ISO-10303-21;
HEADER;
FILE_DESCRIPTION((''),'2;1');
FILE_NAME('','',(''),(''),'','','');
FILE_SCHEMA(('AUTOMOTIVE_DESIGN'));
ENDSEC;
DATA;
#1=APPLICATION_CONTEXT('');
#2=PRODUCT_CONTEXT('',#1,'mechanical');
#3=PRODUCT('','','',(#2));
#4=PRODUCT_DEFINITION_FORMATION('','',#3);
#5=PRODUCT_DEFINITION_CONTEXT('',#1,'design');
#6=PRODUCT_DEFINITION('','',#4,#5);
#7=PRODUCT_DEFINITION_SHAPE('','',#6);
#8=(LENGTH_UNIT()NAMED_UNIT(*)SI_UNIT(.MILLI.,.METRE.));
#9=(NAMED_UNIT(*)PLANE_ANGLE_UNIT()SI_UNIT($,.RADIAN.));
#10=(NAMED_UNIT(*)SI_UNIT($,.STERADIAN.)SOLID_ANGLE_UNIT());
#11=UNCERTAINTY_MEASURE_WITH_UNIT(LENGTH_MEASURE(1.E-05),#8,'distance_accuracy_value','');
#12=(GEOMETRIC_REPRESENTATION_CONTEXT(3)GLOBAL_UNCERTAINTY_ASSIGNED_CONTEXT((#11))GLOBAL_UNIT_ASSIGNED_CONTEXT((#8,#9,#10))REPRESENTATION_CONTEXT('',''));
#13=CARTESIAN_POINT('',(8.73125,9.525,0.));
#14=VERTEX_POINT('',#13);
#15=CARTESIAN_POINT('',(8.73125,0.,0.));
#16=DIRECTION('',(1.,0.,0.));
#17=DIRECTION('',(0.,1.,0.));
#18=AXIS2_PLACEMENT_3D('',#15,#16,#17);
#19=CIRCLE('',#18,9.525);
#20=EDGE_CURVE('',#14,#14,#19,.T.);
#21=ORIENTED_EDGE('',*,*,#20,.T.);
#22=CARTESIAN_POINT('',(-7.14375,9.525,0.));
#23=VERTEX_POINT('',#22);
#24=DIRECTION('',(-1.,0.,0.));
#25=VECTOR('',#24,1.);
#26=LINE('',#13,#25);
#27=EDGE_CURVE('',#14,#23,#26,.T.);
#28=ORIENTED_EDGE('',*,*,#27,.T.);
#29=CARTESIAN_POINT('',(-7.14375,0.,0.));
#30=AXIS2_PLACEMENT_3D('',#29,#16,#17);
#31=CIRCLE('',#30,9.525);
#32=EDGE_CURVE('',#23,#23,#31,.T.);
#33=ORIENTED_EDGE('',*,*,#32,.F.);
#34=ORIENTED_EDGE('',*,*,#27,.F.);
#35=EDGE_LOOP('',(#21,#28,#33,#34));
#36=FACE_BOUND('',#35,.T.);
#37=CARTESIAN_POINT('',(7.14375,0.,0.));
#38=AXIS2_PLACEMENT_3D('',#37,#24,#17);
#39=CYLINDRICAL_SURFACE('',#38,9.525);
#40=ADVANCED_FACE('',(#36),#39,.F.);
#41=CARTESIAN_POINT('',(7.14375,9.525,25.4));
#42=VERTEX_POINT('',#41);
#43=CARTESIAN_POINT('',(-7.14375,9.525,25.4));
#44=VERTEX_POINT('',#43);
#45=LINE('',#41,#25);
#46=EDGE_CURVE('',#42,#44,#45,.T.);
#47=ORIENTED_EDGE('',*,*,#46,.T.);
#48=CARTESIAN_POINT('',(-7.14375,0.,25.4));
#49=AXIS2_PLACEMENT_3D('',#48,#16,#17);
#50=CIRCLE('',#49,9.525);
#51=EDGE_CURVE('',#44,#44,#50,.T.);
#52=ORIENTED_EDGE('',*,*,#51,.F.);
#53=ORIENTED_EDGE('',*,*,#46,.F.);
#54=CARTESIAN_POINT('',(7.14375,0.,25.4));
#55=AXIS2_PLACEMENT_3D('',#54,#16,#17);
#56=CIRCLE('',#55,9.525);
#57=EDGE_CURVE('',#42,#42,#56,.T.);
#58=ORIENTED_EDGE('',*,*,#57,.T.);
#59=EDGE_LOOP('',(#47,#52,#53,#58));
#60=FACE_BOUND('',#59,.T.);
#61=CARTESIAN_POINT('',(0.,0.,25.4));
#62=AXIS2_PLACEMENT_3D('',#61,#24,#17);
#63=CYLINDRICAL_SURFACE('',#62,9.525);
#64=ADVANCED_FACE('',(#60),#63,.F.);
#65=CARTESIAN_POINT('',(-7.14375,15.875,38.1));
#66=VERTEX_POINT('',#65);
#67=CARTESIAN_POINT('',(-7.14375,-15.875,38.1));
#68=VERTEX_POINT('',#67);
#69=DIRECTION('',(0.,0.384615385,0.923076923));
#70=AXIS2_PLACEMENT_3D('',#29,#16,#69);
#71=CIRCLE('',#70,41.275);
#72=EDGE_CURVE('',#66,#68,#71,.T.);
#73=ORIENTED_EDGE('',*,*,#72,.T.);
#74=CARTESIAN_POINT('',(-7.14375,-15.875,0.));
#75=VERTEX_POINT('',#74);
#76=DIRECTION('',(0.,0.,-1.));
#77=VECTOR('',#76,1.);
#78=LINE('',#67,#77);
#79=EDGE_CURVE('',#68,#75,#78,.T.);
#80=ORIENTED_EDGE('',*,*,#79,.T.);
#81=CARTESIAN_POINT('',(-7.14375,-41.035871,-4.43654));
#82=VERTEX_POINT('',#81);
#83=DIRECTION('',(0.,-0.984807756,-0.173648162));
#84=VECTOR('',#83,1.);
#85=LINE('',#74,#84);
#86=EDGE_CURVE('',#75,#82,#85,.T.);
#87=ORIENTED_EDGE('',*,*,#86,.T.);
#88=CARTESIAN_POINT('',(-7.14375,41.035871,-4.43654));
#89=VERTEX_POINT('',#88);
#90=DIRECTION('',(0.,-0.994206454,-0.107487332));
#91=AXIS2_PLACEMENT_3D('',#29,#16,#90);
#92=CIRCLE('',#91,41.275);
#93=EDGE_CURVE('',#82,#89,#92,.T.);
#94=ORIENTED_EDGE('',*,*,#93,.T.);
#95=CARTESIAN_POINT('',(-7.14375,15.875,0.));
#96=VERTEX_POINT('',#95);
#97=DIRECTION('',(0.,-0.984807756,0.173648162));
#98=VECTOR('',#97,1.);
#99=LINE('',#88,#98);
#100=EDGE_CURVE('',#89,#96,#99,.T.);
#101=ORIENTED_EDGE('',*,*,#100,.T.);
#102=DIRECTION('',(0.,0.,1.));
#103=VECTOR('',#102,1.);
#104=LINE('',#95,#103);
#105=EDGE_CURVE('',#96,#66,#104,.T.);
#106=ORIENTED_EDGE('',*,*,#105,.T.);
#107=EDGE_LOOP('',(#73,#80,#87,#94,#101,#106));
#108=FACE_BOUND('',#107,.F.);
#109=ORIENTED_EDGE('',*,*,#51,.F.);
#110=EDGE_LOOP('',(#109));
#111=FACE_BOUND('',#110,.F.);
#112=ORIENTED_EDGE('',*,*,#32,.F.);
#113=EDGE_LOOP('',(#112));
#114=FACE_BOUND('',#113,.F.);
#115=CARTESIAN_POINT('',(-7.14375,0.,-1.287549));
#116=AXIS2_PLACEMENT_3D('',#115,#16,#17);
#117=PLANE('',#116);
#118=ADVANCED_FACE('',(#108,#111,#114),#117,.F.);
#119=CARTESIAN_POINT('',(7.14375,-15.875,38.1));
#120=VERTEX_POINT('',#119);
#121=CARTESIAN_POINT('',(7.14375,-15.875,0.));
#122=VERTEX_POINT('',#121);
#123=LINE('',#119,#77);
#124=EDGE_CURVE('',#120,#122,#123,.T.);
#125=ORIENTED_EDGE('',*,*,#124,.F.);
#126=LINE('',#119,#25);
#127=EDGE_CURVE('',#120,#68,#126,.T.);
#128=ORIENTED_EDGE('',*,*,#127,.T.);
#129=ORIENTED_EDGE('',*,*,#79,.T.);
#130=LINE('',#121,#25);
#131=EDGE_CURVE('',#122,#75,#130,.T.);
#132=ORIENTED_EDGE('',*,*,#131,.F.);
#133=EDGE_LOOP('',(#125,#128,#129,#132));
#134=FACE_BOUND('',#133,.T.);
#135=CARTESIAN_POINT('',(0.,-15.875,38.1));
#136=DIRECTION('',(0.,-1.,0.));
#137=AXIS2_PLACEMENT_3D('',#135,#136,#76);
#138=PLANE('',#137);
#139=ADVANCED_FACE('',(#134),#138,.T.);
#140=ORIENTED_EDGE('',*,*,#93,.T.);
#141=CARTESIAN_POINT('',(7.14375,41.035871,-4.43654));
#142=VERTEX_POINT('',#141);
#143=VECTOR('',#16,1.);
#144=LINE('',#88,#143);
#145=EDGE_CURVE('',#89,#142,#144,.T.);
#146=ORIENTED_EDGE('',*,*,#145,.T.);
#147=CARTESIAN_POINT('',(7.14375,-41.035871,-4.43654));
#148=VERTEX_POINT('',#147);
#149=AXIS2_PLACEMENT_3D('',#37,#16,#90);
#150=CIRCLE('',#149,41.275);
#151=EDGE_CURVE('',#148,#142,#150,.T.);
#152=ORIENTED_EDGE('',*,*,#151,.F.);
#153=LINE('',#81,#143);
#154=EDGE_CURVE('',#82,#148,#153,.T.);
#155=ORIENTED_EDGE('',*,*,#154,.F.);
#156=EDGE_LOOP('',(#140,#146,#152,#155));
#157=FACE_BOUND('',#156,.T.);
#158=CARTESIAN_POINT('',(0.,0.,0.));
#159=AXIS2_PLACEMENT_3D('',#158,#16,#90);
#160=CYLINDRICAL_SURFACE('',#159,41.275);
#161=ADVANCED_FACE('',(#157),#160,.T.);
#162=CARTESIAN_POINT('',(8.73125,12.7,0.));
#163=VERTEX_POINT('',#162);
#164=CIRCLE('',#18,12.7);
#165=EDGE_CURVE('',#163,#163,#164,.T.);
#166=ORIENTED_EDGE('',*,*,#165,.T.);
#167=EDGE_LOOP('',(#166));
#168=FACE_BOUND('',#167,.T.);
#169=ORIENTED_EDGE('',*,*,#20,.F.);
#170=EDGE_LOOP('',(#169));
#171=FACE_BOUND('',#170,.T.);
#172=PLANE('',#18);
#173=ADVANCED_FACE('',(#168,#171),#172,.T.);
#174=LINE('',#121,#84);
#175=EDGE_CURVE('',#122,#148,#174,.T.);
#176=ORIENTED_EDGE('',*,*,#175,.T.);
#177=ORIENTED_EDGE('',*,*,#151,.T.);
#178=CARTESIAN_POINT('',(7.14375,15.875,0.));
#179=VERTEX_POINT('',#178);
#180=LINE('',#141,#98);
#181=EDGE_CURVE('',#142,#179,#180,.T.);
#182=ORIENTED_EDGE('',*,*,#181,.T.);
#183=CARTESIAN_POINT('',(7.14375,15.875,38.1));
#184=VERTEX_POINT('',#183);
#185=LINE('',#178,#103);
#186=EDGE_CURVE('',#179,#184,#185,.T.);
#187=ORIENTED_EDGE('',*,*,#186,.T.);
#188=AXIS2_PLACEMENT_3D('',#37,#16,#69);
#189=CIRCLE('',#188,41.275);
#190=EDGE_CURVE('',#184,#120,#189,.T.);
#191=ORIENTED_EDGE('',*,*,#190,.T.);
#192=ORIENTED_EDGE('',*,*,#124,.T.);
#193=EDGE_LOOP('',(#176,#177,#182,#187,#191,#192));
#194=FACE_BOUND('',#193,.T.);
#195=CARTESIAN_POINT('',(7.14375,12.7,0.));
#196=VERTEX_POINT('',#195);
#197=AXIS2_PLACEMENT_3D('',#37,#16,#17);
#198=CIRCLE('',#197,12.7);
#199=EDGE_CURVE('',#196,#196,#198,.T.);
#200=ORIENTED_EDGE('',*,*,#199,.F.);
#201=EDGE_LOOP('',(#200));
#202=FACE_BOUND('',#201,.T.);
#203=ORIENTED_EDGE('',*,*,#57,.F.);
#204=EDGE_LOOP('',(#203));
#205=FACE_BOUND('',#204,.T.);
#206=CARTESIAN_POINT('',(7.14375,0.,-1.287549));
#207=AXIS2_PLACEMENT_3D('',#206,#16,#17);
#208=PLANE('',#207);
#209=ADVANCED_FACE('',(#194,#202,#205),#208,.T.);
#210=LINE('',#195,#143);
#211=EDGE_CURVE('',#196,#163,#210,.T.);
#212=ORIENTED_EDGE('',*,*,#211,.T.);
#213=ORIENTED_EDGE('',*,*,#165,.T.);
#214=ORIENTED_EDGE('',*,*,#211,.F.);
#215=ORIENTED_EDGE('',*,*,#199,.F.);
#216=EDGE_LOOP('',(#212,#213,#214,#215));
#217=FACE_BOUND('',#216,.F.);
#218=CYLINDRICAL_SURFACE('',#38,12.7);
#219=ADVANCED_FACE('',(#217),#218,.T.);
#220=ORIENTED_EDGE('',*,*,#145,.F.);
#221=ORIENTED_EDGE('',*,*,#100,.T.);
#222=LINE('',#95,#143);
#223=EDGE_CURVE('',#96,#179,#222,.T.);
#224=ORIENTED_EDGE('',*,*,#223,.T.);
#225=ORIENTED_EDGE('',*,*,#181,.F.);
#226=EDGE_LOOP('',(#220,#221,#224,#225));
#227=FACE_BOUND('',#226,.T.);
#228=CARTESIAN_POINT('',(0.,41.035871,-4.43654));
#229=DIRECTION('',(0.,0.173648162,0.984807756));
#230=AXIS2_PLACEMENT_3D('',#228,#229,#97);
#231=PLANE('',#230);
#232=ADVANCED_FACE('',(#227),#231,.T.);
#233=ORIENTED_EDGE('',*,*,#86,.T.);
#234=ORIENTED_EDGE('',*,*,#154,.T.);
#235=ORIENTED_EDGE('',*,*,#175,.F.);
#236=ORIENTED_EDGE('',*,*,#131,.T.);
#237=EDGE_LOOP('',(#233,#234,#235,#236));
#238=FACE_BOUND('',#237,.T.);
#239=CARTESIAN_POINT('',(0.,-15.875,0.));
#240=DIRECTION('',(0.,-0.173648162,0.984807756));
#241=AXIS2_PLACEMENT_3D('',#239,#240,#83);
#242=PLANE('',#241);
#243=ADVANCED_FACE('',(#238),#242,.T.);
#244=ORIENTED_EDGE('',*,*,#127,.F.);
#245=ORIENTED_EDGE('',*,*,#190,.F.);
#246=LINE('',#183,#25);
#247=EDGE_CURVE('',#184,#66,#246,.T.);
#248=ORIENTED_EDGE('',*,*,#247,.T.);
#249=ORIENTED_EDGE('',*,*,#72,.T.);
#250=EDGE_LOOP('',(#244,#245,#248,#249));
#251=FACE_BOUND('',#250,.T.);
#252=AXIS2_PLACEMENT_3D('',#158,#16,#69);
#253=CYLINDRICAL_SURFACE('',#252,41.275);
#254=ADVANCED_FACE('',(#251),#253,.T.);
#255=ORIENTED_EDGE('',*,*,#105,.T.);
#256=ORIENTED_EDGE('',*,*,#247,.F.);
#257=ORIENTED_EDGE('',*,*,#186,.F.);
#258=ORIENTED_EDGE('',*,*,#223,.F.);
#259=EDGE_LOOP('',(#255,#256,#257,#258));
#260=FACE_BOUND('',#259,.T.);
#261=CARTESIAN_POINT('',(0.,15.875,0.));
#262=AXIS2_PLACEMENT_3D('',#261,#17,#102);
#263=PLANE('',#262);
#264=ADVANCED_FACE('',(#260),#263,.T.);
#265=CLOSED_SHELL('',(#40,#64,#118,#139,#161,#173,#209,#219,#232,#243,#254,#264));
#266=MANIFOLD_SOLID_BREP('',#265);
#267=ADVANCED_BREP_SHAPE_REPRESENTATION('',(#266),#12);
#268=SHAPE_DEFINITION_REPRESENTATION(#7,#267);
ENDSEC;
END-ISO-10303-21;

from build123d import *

# Parameters (mm, degrees)
F0_R     = 9.525
F1_DEPTH = 7.14375
F2_R     = 12.7
F2_R_2   = 9.525
F3_DEPTH = 1.5875


with BuildPart() as f1:
    # F0 (on Right) → F1 (new body, symmetric)
    with BuildSketch(Plane.YZ):
        with BuildLine():
            Line((-15.875, 0), (-41.035871, -4.43654))
            ThreePointArc((-41.035871, -4.43654), (0, -41.275), (41.035871, -4.43654))
            Line((41.035871, -4.43654), (15.875, 0))
            Line((15.875, 0), (15.875, 38.1))
            ThreePointArc((15.875, 38.1), (0, 41.275), (-15.875, 38.1))
            Line((-15.875, 38.1), (-15.875, 0))
        make_face()
        Circle(F0_R, mode=Mode.SUBTRACT)
        with Locations((0, 25.4)):
            Circle(F0_R, mode=Mode.SUBTRACT)
    extrude(amount=F1_DEPTH, both=True)

    # F2 (on face) → F3 (join)
    with BuildSketch(Plane.YZ.offset(7.14375)):
        Circle(F2_R)
        Circle(F2_R_2, mode=Mode.SUBTRACT)
    extrude(amount=F3_DEPTH)


solid = f1.part
